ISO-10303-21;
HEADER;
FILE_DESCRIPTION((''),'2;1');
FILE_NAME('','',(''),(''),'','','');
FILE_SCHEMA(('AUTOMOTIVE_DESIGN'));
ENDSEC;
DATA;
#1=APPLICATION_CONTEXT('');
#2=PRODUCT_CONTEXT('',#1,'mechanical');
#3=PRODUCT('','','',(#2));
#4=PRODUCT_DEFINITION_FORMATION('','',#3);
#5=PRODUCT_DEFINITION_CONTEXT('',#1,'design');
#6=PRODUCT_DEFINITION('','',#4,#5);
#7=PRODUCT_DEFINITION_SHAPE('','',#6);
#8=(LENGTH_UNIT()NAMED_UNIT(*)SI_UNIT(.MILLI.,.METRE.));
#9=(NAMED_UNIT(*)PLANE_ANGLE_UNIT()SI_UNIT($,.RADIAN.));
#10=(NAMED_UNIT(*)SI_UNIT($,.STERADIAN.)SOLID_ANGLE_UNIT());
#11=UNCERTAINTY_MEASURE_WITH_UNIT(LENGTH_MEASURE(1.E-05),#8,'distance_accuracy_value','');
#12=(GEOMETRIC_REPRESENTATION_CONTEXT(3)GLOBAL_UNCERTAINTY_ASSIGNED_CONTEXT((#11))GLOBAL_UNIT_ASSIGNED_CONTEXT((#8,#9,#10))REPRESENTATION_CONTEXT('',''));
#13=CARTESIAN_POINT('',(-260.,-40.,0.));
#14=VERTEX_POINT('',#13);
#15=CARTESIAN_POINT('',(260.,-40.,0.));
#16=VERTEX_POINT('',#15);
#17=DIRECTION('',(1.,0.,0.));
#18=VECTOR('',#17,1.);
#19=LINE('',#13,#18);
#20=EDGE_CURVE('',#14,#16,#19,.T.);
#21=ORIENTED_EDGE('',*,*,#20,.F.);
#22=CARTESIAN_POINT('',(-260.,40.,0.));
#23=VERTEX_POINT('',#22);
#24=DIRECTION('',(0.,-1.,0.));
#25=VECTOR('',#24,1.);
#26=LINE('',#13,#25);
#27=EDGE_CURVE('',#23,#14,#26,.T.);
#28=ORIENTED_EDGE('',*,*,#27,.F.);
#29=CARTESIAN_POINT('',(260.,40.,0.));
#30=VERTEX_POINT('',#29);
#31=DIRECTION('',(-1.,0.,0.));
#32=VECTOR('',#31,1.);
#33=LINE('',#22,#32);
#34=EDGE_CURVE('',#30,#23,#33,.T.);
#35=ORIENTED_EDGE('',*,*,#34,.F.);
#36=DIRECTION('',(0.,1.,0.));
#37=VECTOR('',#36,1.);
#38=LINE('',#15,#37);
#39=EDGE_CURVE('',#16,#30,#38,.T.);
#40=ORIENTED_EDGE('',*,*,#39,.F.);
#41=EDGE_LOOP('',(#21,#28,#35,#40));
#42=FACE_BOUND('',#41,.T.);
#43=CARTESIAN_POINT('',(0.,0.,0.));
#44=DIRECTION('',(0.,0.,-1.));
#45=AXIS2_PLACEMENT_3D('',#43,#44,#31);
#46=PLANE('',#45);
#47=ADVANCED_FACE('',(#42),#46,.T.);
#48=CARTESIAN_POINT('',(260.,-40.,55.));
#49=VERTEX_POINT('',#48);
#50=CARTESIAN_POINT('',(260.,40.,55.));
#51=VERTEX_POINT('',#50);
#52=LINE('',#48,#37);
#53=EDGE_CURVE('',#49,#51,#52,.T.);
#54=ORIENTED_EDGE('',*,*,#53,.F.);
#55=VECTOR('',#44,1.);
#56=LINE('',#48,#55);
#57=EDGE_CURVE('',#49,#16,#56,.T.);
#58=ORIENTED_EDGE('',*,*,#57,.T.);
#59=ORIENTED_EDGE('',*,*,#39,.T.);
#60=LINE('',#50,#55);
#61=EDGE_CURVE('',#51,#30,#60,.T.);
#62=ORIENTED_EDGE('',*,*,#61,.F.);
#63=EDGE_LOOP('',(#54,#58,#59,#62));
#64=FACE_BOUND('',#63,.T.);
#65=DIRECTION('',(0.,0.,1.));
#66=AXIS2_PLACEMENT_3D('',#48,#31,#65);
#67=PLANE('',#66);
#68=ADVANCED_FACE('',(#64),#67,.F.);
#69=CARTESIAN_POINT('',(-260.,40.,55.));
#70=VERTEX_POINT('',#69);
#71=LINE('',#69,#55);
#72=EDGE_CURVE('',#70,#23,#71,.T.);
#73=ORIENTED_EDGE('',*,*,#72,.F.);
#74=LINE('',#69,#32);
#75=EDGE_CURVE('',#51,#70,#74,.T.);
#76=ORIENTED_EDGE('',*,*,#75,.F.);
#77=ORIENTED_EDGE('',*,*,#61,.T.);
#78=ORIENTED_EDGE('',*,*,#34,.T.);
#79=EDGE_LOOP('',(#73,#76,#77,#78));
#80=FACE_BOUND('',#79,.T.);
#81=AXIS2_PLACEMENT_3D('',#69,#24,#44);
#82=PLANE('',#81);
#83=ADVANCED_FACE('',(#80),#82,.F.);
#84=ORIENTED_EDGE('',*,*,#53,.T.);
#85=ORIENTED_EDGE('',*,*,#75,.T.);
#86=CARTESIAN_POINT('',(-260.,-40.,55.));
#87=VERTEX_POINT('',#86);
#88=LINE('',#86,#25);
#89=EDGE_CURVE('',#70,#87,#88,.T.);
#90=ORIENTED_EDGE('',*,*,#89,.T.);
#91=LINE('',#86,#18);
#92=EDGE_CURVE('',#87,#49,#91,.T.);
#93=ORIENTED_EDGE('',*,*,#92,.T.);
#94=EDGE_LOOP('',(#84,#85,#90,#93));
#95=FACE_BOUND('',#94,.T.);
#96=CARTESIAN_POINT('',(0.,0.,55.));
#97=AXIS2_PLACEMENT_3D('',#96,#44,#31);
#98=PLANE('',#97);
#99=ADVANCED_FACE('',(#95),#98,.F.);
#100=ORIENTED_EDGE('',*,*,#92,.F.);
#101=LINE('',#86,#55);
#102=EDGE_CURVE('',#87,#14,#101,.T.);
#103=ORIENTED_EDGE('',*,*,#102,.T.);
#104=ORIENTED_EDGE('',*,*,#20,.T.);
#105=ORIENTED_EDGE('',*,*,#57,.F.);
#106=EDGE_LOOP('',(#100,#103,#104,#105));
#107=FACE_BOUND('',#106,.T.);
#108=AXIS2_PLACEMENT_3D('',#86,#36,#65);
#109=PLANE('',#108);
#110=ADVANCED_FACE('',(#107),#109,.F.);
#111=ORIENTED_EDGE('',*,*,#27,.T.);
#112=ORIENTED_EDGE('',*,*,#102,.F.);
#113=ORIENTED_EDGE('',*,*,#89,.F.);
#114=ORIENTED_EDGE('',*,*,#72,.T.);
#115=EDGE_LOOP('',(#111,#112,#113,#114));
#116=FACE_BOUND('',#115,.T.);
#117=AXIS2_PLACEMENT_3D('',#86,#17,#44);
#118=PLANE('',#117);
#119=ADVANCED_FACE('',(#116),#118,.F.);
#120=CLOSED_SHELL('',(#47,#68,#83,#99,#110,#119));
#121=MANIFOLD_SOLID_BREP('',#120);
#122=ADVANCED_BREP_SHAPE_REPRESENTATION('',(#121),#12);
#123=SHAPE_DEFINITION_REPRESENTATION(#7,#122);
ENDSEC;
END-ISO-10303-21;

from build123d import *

# Parameters (mm, degrees)
SKETCH_1_W      = 520
SKETCH_1_H      = 80
EXTRUDE_1_DEPTH = 55


with BuildPart() as part:
    # 草图1 → 凸台-拉伸1 (new body)
    with BuildSketch(Plane.XY):
        Rectangle(SKETCH_1_W, SKETCH_1_H)
    extrude(amount=EXTRUDE_1_DEPTH)


solid = part.part
